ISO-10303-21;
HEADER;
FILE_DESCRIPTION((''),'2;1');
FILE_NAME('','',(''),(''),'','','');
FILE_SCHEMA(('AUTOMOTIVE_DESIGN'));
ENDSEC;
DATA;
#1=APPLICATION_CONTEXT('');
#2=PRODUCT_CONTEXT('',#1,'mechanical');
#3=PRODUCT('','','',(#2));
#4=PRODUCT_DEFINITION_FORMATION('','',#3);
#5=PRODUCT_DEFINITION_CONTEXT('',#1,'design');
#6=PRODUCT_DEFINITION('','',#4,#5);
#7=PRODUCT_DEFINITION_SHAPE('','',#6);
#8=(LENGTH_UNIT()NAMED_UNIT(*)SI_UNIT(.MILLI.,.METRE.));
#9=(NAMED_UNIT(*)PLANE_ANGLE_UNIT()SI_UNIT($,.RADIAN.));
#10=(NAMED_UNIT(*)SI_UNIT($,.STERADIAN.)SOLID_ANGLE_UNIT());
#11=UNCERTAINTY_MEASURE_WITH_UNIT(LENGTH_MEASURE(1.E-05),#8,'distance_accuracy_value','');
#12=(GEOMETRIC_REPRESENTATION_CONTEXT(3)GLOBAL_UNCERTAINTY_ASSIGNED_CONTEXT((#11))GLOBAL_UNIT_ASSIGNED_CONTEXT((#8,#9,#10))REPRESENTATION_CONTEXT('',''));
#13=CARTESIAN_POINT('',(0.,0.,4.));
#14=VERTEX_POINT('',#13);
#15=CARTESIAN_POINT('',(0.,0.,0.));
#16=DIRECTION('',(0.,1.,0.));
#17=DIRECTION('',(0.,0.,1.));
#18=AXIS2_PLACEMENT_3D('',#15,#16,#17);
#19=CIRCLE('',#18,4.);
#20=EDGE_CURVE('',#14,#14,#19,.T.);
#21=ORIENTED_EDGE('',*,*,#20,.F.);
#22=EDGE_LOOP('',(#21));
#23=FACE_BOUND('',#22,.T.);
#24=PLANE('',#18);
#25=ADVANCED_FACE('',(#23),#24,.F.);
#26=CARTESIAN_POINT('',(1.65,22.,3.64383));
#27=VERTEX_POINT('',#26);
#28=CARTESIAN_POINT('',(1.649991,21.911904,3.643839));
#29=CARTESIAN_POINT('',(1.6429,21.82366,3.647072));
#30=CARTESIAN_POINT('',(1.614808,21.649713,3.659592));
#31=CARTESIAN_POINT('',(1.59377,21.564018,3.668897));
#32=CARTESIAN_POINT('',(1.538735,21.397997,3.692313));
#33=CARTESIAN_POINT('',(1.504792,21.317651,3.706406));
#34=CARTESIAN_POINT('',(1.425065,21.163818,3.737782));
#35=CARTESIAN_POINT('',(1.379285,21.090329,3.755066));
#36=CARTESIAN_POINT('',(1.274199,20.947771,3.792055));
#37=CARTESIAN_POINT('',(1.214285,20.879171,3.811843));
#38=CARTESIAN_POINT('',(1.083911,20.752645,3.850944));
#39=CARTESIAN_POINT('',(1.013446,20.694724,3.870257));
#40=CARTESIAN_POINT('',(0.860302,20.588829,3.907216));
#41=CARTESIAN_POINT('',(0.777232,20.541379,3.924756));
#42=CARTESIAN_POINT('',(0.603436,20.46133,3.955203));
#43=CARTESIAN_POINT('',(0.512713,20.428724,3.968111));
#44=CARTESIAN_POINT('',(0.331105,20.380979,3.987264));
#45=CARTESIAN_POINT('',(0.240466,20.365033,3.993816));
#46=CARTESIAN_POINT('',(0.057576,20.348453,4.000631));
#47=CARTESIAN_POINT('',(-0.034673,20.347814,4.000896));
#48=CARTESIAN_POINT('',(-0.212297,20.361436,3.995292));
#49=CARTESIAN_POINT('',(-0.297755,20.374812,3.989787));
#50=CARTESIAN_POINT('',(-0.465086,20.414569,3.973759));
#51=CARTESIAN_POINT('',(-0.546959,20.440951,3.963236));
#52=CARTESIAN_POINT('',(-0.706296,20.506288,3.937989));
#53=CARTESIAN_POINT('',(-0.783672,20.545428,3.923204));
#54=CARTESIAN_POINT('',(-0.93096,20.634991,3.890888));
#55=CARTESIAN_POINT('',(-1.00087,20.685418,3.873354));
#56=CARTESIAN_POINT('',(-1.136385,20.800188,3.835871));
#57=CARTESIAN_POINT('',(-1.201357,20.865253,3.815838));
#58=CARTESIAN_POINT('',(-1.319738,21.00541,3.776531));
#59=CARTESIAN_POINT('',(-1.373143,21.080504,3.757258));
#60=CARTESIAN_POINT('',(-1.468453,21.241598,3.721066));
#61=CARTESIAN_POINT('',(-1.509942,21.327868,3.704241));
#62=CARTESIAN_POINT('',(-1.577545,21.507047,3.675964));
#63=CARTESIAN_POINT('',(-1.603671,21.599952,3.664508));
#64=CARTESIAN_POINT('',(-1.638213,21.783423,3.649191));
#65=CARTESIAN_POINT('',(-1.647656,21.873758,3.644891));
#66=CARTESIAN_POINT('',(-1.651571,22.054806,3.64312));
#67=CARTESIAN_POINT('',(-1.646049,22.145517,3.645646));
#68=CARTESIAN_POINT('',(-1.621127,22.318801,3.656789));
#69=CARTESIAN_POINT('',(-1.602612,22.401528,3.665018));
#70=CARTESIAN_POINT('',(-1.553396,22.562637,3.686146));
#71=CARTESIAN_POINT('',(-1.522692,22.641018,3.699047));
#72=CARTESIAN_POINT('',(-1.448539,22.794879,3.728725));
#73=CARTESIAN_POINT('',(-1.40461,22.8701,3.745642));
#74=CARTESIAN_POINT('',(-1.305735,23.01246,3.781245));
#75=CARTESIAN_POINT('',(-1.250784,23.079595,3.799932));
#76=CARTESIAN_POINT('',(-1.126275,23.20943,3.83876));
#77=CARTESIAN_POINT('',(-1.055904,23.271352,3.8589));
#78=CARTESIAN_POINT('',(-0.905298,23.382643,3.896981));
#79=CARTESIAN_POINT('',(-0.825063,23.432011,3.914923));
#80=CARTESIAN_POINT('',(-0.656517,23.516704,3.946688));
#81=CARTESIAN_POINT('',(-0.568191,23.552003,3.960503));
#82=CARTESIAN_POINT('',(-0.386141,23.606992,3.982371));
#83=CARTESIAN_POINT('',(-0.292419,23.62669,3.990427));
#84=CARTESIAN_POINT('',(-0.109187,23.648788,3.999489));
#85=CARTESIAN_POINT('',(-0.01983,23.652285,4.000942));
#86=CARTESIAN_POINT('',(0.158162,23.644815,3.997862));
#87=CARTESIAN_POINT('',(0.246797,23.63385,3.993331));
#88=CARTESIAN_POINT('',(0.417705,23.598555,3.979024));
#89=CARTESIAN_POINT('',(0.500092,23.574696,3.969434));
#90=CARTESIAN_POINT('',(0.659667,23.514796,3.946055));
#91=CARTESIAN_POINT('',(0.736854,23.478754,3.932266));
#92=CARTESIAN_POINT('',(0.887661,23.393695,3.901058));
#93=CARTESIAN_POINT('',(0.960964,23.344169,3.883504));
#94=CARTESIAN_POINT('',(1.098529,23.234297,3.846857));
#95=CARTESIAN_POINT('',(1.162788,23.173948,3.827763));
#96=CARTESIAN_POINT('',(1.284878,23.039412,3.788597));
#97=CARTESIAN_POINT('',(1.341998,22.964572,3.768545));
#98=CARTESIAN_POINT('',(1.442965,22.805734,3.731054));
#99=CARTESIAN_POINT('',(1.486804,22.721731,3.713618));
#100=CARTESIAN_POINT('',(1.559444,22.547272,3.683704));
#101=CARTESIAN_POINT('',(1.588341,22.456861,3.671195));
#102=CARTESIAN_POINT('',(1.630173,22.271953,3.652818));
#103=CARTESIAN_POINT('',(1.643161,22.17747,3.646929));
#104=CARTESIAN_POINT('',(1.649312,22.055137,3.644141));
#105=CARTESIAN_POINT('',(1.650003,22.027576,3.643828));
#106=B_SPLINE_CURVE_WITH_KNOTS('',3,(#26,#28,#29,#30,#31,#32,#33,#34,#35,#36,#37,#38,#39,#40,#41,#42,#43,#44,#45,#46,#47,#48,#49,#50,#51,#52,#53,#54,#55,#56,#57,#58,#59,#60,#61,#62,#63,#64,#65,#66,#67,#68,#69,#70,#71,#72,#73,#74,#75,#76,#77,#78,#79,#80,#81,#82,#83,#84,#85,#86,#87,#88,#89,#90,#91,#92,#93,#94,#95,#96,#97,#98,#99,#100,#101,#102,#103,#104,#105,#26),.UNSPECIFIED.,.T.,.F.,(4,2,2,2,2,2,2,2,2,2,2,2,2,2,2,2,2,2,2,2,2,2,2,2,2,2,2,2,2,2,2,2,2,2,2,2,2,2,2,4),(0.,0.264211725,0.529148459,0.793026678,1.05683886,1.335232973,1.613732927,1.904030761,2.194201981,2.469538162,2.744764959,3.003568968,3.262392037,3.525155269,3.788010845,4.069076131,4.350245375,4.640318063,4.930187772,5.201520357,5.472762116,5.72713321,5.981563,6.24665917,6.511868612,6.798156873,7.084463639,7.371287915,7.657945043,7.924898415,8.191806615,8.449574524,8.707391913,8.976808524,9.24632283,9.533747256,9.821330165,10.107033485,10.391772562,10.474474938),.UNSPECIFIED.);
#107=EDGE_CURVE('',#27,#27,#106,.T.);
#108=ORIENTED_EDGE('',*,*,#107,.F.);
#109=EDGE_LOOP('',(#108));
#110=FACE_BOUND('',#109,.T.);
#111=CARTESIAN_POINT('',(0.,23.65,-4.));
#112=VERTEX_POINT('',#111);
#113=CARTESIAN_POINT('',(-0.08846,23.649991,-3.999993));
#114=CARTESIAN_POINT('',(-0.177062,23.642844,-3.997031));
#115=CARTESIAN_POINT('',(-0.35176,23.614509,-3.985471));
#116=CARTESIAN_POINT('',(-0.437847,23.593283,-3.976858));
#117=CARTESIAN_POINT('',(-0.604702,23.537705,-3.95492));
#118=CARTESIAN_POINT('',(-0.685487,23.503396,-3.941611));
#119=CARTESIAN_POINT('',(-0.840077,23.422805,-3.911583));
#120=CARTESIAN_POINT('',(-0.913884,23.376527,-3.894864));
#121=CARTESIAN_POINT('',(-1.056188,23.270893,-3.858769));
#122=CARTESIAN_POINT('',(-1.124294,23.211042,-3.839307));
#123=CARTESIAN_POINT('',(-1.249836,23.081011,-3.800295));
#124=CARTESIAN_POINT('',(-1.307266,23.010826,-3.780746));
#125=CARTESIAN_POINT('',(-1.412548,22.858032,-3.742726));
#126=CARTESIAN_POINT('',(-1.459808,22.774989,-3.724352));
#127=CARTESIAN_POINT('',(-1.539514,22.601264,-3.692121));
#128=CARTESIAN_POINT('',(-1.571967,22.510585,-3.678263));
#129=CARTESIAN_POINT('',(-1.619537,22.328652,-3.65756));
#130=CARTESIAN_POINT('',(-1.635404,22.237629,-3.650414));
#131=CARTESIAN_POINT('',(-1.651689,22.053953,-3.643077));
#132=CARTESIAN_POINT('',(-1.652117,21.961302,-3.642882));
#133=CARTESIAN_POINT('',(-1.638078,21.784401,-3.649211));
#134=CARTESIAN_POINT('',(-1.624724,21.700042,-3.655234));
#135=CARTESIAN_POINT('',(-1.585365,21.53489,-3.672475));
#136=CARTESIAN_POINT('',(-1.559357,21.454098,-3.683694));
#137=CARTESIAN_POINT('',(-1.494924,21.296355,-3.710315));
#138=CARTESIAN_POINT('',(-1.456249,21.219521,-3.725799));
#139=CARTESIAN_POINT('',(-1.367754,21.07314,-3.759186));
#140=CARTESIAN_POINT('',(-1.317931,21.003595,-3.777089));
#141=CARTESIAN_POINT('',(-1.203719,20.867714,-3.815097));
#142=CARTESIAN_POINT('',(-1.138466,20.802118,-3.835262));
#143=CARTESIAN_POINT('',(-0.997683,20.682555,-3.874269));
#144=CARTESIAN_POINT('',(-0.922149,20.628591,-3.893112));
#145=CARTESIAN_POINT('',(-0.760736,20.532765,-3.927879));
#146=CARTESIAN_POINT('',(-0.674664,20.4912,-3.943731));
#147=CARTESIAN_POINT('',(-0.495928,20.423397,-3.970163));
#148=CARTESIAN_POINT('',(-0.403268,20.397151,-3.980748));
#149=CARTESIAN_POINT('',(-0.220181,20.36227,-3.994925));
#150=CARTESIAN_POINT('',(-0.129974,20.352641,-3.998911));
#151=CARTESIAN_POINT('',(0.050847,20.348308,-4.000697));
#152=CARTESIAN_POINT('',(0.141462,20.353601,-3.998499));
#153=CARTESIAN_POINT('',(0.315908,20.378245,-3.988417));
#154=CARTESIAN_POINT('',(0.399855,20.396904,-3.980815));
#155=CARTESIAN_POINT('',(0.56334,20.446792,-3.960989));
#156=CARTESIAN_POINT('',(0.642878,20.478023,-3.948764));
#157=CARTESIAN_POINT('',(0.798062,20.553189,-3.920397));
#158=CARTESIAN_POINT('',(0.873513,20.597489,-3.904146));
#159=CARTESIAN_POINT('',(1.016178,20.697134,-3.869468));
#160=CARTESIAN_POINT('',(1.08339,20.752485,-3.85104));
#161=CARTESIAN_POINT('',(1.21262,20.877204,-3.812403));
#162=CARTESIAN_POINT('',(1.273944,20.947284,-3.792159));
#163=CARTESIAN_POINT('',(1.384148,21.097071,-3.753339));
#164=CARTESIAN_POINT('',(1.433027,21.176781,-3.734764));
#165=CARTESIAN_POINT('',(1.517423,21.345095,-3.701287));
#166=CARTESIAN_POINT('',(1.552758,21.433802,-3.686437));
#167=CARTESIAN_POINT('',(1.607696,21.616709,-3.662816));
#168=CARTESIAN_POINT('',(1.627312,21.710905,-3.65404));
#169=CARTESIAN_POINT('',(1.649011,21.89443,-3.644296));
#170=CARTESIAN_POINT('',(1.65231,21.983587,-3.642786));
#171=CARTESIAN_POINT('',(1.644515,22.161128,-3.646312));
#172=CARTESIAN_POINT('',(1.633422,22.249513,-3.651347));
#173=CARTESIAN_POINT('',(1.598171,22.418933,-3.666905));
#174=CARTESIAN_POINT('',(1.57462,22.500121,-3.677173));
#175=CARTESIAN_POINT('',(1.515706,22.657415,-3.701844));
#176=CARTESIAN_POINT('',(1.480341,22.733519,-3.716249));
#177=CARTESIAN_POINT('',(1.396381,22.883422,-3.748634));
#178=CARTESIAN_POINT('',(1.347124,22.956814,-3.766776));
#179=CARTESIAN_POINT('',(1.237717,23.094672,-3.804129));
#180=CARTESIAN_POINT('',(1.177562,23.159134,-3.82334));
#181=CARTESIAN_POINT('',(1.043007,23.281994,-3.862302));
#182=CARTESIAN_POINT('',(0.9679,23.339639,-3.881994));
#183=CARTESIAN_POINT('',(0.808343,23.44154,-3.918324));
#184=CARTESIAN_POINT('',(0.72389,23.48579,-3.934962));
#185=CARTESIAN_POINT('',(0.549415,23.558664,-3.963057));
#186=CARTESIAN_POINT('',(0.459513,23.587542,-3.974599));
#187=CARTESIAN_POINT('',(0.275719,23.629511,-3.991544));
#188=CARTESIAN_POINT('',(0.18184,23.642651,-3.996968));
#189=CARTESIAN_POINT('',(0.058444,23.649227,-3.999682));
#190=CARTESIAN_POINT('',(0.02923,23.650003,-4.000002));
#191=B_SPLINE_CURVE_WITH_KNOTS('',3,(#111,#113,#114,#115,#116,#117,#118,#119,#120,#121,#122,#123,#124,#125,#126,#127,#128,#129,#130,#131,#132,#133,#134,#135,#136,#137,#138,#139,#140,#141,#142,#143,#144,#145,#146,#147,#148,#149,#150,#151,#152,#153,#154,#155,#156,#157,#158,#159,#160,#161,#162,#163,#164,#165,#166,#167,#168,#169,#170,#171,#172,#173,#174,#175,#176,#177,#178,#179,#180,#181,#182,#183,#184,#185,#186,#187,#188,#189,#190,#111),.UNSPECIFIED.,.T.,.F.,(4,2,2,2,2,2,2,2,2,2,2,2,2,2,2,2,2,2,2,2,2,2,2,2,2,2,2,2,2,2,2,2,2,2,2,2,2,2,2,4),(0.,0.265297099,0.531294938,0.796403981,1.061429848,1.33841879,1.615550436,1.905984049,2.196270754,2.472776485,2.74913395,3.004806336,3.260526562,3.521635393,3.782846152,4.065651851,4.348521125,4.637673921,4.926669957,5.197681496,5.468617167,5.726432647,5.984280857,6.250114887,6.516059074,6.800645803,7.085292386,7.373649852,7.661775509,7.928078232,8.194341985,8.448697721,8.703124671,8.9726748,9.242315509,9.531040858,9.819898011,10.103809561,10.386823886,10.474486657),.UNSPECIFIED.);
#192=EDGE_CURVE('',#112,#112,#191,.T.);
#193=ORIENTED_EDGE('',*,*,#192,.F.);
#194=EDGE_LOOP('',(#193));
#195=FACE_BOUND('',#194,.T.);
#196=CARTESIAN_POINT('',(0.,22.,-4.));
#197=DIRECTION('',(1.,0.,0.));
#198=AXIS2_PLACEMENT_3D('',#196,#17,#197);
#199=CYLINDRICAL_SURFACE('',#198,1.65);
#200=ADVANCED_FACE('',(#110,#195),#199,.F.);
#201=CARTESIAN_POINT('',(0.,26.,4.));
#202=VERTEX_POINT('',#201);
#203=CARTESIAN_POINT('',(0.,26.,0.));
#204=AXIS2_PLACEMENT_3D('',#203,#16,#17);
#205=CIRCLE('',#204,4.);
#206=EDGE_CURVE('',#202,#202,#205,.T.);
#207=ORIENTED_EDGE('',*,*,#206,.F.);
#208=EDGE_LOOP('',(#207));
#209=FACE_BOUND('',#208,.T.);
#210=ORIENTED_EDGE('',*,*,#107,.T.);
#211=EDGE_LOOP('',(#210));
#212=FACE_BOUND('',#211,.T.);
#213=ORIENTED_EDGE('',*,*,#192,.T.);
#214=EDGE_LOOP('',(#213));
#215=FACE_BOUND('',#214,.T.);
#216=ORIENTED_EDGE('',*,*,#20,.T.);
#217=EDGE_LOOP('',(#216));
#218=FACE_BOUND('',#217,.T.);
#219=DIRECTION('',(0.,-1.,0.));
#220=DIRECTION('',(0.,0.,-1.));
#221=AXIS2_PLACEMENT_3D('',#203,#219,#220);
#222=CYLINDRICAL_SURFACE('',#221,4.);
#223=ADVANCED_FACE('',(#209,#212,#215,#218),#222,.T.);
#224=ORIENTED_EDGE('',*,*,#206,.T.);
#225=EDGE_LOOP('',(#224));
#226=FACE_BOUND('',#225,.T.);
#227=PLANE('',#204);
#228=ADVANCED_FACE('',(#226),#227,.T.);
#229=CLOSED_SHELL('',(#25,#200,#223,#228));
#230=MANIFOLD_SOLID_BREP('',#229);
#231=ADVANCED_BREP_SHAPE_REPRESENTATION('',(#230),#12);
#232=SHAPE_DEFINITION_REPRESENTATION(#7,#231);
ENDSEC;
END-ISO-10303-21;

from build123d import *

# Parameters (mm, degrees)
SKETCH1_R               = 4
BOSS_EXTRUDE1_DEPTH     = 26
CUT_EXTRUDE1_DEPTH      = 27.608269391
CUT_EXTRUDE1_DEPTH_BACK = 27.608269391
SKETCH2_R               = 1.65


with BuildPart() as part:
    # Sketch1 → Boss-Extrude1 (new body)
    with BuildSketch(Plane(origin=(0, 0, 0), x_dir=(1, 0, 0), z_dir=(0, 1, 0))):
        with Locations(Location((0, 0, 0), (0, 0, 90))):
            Circle(SKETCH1_R)
    extrude(amount=BOSS_EXTRUDE1_DEPTH)

    # Sketch2 → Cut-Extrude1 (cut, two sides: drawn at the far end of the back side and taken through both)
    with BuildSketch(Plane.XY.offset(-CUT_EXTRUDE1_DEPTH_BACK)):
        with Locations(Location((0, 22, 0), (0, 0, 90))):
            Circle(SKETCH2_R)
    extrude(amount=CUT_EXTRUDE1_DEPTH + CUT_EXTRUDE1_DEPTH_BACK, mode=Mode.SUBTRACT)


solid = part.part
